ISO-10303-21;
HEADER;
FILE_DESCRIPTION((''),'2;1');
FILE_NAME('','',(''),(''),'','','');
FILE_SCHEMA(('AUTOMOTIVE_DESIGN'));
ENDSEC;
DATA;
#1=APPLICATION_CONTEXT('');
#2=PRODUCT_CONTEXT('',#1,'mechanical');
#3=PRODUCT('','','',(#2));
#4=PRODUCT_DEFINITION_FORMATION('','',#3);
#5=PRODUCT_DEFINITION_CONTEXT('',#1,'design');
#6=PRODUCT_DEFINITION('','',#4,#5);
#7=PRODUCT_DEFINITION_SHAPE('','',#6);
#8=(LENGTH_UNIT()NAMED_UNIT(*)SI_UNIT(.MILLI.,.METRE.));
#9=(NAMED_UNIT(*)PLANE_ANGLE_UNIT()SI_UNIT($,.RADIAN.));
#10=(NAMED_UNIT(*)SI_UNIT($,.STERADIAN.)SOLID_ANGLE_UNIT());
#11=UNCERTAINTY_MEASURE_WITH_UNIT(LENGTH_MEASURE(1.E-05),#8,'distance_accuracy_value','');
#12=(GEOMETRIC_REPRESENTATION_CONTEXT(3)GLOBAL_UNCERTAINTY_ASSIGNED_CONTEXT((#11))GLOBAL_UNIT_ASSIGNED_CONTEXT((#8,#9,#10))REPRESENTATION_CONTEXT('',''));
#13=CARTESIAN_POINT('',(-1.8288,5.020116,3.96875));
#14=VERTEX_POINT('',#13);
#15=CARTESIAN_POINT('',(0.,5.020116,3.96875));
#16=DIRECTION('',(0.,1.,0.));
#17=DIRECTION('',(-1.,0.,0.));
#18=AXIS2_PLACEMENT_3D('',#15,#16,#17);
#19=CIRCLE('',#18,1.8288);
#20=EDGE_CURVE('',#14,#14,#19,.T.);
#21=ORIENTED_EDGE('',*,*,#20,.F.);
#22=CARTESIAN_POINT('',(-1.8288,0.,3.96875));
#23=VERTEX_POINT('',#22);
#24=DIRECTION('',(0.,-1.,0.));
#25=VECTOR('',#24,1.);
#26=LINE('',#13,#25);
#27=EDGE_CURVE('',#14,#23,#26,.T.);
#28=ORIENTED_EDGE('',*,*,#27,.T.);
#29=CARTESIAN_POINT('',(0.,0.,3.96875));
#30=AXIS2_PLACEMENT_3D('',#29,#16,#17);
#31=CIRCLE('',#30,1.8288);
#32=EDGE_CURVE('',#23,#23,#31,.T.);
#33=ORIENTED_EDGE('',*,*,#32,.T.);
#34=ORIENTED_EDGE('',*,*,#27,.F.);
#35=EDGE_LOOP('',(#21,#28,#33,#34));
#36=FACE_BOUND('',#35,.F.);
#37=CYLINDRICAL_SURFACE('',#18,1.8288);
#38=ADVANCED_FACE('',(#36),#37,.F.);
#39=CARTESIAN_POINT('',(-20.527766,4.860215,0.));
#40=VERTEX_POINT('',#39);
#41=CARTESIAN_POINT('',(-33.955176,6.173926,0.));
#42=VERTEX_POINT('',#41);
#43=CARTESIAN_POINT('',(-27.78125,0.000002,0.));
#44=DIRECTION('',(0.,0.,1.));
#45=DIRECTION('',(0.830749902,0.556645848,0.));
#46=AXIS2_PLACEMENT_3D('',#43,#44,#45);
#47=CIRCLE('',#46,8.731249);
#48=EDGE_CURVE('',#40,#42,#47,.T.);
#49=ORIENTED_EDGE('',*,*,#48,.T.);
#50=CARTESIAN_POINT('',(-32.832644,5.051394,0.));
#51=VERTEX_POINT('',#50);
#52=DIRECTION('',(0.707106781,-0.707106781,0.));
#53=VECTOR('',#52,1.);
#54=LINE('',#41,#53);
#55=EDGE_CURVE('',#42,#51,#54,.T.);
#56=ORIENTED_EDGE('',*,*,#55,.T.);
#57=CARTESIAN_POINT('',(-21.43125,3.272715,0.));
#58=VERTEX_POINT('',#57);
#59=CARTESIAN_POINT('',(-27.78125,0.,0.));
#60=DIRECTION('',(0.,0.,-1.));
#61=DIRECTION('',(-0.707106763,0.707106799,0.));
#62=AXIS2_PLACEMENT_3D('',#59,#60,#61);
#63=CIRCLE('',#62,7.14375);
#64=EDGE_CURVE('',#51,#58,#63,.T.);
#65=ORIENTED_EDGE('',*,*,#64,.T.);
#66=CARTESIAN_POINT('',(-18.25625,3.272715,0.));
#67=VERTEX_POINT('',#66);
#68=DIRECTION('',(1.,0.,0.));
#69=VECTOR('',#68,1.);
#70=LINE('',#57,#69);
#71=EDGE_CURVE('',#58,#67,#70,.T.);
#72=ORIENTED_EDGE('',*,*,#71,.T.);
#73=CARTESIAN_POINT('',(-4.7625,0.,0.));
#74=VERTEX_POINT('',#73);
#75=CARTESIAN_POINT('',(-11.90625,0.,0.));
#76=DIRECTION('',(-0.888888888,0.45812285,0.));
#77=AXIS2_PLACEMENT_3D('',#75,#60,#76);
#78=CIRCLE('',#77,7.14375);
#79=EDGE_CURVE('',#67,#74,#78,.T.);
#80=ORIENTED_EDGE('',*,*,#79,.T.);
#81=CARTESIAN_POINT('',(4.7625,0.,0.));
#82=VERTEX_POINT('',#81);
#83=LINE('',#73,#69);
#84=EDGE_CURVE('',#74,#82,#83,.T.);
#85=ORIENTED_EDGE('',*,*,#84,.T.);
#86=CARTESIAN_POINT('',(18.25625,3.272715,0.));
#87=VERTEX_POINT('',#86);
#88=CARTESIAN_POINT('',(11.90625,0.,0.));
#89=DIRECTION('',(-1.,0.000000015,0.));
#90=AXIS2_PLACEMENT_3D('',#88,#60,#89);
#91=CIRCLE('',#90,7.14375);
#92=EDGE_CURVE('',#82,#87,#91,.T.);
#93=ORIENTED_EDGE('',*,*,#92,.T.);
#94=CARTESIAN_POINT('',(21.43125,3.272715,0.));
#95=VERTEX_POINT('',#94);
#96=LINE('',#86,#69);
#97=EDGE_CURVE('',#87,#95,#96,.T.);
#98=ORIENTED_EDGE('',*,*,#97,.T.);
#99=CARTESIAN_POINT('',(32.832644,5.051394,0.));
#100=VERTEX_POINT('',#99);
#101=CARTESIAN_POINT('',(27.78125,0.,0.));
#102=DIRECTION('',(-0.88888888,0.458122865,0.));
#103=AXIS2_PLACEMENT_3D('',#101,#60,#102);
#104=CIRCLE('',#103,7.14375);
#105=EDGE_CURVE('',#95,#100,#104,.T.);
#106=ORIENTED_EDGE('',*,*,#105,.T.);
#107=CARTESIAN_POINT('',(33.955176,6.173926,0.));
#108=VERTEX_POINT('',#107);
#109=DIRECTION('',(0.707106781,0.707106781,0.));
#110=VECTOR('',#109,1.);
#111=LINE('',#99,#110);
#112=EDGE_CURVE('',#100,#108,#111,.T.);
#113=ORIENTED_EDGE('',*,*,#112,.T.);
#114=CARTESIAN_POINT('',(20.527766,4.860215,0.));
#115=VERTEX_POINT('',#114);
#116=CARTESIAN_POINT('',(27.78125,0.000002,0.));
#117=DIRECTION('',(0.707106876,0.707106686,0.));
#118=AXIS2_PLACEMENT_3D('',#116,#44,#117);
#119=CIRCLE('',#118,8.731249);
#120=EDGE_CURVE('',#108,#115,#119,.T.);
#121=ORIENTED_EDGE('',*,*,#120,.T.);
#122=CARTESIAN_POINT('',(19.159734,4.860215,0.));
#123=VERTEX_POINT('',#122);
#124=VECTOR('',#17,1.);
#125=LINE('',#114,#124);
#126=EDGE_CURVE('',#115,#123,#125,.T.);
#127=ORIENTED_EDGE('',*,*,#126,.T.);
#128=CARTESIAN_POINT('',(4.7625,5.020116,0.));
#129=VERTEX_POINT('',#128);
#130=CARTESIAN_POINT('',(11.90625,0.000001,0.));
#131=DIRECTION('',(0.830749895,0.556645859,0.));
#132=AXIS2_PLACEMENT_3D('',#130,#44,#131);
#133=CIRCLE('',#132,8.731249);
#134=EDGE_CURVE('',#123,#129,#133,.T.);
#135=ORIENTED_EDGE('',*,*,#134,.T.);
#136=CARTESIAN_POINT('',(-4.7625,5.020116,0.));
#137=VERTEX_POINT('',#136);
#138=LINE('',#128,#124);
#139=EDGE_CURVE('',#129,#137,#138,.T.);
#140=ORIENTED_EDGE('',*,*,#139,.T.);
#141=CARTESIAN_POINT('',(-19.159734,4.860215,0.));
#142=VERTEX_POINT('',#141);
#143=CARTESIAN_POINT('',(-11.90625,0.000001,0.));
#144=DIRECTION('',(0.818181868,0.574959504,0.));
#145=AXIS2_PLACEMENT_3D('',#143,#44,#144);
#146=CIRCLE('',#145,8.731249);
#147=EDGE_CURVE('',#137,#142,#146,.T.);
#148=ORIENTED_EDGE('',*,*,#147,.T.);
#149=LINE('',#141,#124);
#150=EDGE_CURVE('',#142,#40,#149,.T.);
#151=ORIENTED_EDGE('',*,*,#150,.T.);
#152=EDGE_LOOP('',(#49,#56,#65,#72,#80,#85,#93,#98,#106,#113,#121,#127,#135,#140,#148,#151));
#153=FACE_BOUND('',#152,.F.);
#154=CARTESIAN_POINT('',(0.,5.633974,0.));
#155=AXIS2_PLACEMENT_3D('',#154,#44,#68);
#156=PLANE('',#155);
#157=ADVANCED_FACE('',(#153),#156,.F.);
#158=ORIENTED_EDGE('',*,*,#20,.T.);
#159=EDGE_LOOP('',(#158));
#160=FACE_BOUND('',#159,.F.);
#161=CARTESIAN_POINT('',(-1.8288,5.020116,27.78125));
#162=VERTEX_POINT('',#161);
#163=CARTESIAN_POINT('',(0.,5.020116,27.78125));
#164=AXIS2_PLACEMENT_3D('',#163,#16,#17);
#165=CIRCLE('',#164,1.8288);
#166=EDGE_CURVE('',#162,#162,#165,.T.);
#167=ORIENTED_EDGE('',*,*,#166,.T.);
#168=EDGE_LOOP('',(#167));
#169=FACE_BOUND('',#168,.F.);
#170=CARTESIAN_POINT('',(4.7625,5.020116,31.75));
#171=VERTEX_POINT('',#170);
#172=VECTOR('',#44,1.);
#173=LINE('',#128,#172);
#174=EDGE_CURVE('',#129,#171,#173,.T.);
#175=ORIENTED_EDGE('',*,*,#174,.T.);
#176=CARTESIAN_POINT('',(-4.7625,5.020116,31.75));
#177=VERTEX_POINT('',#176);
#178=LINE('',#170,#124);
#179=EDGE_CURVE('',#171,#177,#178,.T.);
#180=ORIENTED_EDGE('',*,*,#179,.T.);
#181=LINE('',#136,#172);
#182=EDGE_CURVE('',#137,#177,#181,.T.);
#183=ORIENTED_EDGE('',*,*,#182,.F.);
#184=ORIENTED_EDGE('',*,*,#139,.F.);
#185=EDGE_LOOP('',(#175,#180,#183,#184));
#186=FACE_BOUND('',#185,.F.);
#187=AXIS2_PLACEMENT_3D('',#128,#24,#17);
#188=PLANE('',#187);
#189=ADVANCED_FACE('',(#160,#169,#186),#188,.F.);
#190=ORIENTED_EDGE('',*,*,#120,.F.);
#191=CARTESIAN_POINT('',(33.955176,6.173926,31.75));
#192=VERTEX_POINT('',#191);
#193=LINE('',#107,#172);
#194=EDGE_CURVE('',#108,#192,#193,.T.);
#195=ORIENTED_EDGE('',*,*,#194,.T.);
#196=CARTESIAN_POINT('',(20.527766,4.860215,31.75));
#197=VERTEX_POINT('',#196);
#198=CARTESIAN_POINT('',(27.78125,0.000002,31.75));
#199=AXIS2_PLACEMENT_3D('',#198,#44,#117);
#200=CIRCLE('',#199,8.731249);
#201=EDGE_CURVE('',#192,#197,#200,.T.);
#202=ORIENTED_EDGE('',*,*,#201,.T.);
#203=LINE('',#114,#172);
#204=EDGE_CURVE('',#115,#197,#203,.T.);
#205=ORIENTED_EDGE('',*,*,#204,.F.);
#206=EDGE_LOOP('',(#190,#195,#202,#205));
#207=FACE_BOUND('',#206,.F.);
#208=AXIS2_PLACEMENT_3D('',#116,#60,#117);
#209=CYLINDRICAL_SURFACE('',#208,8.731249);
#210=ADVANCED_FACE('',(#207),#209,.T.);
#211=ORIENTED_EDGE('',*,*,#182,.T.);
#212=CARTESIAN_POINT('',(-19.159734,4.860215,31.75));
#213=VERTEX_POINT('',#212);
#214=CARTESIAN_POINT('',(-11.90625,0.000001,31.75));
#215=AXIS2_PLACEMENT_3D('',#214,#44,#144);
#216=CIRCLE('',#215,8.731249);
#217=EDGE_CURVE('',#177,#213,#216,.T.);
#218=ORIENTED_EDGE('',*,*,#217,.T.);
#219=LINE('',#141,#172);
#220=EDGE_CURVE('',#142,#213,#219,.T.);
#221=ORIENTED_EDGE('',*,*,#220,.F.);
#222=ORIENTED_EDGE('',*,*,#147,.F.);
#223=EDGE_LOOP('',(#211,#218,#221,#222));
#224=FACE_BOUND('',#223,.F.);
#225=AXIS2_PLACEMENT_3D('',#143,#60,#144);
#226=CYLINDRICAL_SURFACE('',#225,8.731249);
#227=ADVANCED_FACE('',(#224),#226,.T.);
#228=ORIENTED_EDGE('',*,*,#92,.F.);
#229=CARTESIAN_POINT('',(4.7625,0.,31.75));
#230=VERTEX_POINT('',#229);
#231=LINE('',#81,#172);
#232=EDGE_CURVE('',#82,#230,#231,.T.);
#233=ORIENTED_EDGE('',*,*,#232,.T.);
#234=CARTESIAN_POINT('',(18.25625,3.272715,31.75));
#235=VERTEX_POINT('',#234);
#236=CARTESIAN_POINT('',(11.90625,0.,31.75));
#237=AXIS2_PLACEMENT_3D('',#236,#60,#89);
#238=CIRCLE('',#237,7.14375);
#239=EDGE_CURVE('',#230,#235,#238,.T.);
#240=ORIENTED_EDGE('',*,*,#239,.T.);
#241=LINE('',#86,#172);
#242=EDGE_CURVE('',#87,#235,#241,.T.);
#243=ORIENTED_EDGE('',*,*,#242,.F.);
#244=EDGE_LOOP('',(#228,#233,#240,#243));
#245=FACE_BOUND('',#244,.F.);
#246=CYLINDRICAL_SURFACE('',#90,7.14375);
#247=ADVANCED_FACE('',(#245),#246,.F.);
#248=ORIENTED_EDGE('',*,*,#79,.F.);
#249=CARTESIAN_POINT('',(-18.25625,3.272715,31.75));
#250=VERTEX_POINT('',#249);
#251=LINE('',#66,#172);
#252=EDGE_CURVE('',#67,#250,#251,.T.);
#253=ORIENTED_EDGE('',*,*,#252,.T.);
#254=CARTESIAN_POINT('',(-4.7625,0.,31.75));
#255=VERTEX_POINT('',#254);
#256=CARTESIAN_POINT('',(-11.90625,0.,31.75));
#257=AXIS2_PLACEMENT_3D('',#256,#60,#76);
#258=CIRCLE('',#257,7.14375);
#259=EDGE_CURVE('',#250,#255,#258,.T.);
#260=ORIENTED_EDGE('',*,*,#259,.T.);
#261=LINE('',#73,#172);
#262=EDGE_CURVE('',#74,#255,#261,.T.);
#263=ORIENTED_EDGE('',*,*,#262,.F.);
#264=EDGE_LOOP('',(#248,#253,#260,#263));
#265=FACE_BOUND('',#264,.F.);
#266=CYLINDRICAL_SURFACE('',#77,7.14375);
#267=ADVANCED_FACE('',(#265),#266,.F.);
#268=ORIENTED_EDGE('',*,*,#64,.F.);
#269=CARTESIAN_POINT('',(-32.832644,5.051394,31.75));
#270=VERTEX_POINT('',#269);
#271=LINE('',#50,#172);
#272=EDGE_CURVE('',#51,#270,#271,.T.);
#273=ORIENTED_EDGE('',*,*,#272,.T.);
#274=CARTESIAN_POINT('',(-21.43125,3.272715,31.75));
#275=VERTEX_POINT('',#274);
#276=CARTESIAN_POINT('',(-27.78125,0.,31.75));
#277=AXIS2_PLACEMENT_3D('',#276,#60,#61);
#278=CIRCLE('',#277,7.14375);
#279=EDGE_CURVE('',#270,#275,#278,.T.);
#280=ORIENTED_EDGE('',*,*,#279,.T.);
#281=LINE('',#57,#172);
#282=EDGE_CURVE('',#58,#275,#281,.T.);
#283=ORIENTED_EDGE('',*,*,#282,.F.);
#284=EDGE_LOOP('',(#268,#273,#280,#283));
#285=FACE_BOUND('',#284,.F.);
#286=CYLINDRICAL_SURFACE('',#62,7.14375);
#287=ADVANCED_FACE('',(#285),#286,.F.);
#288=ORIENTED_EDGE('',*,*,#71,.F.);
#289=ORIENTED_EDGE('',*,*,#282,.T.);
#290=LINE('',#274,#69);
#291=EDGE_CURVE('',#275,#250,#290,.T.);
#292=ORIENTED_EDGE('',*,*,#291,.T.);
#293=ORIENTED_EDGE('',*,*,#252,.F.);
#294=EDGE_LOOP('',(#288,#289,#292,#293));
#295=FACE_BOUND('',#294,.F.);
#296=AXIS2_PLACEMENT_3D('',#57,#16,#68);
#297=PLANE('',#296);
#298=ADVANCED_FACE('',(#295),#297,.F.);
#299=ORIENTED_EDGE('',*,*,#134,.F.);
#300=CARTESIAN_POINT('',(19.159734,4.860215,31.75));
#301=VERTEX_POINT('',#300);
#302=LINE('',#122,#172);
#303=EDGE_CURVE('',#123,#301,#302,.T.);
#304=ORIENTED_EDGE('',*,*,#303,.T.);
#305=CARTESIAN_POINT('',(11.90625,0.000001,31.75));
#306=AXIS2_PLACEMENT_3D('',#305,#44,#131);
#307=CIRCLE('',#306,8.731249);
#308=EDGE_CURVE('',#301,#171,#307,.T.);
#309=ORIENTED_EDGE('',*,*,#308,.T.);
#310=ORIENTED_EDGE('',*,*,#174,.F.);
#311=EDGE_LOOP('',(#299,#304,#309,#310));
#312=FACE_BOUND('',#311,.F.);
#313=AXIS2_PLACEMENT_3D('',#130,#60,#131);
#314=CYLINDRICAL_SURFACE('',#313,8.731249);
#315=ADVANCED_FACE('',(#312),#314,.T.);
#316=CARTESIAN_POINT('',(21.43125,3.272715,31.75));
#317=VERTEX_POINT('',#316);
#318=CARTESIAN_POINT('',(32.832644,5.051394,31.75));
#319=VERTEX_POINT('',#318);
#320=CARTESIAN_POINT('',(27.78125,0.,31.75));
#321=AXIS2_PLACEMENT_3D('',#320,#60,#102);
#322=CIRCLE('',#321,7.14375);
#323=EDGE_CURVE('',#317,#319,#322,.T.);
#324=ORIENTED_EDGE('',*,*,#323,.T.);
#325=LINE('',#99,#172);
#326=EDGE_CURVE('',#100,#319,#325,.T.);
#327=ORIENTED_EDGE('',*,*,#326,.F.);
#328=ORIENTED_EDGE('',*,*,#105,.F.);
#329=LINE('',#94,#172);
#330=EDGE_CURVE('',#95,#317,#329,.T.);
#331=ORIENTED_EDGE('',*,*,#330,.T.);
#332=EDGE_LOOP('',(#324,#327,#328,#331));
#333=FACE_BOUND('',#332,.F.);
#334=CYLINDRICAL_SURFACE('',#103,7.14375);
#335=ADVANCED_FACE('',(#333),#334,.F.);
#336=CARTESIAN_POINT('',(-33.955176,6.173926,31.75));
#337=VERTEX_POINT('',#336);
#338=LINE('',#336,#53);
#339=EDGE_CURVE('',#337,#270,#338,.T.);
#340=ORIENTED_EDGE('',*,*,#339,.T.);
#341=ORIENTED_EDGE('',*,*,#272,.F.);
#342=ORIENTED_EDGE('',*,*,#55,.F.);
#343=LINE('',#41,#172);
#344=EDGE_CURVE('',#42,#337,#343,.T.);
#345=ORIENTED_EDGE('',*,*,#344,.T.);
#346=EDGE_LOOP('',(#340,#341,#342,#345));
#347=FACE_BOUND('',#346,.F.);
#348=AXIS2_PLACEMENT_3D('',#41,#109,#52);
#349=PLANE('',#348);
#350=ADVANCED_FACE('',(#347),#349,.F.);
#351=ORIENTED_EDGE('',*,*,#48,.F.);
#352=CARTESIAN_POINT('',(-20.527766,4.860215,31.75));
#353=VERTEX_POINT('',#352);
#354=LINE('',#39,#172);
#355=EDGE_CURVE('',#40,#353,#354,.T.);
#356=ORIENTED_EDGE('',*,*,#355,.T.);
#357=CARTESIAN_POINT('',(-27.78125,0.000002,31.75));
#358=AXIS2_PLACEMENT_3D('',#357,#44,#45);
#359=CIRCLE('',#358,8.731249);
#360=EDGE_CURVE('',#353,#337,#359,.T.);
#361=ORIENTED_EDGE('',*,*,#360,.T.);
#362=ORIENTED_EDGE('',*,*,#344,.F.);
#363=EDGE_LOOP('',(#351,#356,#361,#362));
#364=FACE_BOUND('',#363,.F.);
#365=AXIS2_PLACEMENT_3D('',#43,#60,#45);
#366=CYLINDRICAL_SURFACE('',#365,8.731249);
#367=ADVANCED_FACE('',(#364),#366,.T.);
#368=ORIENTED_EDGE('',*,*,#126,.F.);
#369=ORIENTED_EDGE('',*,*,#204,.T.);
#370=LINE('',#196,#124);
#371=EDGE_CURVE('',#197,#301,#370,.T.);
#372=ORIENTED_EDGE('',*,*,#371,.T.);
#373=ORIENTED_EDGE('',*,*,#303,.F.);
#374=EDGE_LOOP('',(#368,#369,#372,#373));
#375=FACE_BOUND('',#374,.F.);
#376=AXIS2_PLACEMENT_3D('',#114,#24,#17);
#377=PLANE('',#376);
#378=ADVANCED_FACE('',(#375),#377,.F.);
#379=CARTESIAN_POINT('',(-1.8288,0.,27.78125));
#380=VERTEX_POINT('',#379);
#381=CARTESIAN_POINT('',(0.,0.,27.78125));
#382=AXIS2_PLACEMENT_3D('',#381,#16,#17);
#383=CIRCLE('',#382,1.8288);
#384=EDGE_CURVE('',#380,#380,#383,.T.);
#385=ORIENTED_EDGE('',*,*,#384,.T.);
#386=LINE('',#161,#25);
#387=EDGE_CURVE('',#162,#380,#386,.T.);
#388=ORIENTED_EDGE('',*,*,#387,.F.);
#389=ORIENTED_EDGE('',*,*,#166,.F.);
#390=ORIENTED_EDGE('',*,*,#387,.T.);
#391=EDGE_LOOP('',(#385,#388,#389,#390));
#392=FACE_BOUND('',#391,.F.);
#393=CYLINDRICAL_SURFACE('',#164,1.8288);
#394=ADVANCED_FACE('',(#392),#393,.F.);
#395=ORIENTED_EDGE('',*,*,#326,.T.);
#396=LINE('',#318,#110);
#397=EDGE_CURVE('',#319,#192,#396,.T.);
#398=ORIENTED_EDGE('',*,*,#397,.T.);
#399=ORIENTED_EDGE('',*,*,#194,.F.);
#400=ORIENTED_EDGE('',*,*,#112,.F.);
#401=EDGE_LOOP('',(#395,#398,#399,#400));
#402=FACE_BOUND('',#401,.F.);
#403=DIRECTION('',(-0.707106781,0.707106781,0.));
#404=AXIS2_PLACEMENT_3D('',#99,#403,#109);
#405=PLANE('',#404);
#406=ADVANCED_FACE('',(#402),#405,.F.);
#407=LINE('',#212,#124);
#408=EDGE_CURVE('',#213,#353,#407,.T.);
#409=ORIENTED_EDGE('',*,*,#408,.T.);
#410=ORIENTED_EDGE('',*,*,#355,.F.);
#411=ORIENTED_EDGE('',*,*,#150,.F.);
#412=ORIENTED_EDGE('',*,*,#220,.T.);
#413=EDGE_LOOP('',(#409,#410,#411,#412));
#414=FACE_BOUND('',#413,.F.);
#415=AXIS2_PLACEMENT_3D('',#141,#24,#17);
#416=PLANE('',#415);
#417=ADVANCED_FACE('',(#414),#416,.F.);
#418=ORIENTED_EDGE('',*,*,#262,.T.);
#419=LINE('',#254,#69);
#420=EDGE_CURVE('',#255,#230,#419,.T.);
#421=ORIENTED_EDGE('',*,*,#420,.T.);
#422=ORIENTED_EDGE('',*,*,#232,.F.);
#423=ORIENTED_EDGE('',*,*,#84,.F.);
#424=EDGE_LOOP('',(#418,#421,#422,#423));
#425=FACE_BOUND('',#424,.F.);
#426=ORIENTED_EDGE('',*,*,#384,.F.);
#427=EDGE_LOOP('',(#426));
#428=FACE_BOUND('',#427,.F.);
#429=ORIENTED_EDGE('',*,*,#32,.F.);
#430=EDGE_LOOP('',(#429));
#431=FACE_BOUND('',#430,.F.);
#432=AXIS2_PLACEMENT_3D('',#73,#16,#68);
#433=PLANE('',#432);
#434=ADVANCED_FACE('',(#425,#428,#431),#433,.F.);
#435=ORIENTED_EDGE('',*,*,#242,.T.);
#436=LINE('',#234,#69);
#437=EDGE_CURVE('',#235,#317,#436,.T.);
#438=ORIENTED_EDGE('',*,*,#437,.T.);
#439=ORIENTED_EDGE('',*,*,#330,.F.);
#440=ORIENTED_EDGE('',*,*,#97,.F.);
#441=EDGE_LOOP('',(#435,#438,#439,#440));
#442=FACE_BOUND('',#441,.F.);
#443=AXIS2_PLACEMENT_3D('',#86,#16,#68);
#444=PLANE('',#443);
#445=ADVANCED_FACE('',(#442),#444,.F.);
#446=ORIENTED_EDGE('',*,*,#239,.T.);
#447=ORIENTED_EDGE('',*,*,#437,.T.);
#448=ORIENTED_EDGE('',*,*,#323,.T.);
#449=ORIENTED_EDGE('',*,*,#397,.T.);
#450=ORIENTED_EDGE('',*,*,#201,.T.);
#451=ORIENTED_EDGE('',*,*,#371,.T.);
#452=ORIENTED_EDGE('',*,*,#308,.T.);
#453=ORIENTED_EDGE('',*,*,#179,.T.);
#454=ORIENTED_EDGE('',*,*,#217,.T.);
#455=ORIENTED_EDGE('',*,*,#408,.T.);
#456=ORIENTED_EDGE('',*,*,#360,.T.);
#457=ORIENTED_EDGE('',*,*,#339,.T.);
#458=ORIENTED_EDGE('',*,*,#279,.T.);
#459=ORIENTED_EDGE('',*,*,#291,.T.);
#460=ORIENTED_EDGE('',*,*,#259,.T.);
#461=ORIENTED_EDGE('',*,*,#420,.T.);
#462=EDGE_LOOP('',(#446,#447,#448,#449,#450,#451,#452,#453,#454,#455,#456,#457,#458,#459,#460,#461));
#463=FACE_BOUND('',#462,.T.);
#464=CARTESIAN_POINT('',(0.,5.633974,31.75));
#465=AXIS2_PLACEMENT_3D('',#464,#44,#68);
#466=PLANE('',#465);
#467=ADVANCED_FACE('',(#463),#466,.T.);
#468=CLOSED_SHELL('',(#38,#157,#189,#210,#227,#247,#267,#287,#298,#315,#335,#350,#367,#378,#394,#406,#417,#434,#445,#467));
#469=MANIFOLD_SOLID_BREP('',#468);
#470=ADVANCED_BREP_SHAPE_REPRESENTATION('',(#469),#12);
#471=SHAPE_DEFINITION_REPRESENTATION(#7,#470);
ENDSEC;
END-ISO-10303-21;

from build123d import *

# Parameters (mm, degrees)
F1_DEPTH = 31.75
F2_R     = 1.8288
F3_DEPTH = 5.020116


with BuildPart() as f1:
    # F0 (on Top) → F1 (new body)
    with BuildSketch(Plane.XY):
        with BuildLine():
            ThreePointArc((-18.25625, 3.272715), (-10.222452, 6.942477), (-4.7625, 0))
            Line((-4.7625, 0), (4.7625, 0))
            ThreePointArc((4.7625, 0), (10.222452, 6.942477), (18.25625, 3.272715))
            Line((18.25625, 3.272715), (21.43125, 3.272715))
            ThreePointArc((21.43125, 3.272715), (26.680106, 7.058374), (32.832644, 5.051394))
            Line((32.832644, 5.051394), (33.955176, 6.173926))
            ThreePointArc((33.955176, 6.173926), (26.931061, 8.689759), (20.527766, 4.860215))
            Line((20.527766, 4.860215), (19.159734, 4.860215))
            ThreePointArc((19.159734, 4.860215), (12.003216, 8.730712), (4.7625, 5.020116))
            Line((4.7625, 5.020116), (-4.7625, 5.020116))
            ThreePointArc((-4.7625, 5.020116), (-12.003216, 8.730712), (-19.159734, 4.860215))
            Line((-19.159734, 4.860215), (-20.527766, 4.860215))
            ThreePointArc((-20.527766, 4.860215), (-26.931061, 8.689759), (-33.955176, 6.173926))
            Line((-33.955176, 6.173926), (-32.832644, 5.051394))
            ThreePointArc((-32.832644, 5.051394), (-26.680106, 7.058374), (-21.43125, 3.272715))
            Line((-21.43125, 3.272715), (-18.25625, 3.272715))
        make_face()
    extrude(amount=F1_DEPTH)

    # F2 (on face) → F3 (cut, through all)
    with BuildSketch(Plane(origin=(0, 5.020116, 0), x_dir=(-1, 0, 0), z_dir=(0, 1, 0))):
        with Locations((0, 3.96875)):
            Circle(F2_R)
        with Locations((0, 27.78125)):
            Circle(F2_R)
    extrude(amount=-F3_DEPTH, mode=Mode.SUBTRACT)


solid = f1.part
